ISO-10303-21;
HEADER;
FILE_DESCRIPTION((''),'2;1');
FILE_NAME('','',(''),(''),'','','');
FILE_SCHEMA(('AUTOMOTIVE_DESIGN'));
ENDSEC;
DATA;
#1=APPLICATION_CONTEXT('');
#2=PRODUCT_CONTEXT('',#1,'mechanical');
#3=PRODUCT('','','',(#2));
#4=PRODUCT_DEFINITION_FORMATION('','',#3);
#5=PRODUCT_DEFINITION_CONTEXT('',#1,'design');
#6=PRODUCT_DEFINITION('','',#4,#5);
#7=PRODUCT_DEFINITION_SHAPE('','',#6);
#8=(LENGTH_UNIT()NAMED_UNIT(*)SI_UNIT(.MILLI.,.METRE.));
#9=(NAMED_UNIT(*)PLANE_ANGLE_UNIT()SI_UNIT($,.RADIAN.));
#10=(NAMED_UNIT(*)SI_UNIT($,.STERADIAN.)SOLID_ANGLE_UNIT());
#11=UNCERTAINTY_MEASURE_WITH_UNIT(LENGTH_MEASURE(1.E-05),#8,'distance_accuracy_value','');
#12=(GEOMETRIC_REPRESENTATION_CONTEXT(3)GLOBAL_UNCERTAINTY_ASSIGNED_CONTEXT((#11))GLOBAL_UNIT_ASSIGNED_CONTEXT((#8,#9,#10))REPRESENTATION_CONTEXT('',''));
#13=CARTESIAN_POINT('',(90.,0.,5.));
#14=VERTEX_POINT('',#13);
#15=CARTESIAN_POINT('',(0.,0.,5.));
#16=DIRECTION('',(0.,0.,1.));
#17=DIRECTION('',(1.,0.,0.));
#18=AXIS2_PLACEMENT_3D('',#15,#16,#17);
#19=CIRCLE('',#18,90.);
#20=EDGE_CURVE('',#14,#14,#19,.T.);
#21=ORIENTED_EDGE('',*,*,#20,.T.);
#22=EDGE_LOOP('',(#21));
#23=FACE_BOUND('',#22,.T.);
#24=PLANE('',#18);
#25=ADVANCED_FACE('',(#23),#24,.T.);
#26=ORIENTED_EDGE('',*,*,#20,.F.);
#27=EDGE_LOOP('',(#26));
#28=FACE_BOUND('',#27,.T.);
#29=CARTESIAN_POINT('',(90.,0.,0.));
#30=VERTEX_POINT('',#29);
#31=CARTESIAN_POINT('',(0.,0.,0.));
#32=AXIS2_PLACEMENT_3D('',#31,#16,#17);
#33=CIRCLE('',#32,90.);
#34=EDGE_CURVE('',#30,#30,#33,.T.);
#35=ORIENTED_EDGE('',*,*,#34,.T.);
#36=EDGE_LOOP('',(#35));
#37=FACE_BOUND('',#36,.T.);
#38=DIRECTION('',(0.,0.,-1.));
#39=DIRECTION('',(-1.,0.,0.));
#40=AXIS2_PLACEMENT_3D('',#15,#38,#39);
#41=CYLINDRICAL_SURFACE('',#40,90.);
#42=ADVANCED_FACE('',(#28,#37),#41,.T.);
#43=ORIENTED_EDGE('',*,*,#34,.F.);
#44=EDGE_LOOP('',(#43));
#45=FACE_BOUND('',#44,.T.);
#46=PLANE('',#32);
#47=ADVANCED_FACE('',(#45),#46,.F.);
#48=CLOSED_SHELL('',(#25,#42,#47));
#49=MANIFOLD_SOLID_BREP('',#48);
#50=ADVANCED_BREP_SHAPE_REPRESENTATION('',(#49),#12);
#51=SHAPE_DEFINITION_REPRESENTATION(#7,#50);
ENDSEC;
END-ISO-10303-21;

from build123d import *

# Parameters (mm, degrees)
SCHIZZO1_R                   = 90
ESTRUSIONE_ESTRUSIONE1_DEPTH = 5


with BuildPart() as part:
    # Schizzo1 → Estrusione-Estrusione1 (new body)
    with BuildSketch(Plane.XY):
        Circle(SCHIZZO1_R)
    extrude(amount=ESTRUSIONE_ESTRUSIONE1_DEPTH)


solid = part.part
